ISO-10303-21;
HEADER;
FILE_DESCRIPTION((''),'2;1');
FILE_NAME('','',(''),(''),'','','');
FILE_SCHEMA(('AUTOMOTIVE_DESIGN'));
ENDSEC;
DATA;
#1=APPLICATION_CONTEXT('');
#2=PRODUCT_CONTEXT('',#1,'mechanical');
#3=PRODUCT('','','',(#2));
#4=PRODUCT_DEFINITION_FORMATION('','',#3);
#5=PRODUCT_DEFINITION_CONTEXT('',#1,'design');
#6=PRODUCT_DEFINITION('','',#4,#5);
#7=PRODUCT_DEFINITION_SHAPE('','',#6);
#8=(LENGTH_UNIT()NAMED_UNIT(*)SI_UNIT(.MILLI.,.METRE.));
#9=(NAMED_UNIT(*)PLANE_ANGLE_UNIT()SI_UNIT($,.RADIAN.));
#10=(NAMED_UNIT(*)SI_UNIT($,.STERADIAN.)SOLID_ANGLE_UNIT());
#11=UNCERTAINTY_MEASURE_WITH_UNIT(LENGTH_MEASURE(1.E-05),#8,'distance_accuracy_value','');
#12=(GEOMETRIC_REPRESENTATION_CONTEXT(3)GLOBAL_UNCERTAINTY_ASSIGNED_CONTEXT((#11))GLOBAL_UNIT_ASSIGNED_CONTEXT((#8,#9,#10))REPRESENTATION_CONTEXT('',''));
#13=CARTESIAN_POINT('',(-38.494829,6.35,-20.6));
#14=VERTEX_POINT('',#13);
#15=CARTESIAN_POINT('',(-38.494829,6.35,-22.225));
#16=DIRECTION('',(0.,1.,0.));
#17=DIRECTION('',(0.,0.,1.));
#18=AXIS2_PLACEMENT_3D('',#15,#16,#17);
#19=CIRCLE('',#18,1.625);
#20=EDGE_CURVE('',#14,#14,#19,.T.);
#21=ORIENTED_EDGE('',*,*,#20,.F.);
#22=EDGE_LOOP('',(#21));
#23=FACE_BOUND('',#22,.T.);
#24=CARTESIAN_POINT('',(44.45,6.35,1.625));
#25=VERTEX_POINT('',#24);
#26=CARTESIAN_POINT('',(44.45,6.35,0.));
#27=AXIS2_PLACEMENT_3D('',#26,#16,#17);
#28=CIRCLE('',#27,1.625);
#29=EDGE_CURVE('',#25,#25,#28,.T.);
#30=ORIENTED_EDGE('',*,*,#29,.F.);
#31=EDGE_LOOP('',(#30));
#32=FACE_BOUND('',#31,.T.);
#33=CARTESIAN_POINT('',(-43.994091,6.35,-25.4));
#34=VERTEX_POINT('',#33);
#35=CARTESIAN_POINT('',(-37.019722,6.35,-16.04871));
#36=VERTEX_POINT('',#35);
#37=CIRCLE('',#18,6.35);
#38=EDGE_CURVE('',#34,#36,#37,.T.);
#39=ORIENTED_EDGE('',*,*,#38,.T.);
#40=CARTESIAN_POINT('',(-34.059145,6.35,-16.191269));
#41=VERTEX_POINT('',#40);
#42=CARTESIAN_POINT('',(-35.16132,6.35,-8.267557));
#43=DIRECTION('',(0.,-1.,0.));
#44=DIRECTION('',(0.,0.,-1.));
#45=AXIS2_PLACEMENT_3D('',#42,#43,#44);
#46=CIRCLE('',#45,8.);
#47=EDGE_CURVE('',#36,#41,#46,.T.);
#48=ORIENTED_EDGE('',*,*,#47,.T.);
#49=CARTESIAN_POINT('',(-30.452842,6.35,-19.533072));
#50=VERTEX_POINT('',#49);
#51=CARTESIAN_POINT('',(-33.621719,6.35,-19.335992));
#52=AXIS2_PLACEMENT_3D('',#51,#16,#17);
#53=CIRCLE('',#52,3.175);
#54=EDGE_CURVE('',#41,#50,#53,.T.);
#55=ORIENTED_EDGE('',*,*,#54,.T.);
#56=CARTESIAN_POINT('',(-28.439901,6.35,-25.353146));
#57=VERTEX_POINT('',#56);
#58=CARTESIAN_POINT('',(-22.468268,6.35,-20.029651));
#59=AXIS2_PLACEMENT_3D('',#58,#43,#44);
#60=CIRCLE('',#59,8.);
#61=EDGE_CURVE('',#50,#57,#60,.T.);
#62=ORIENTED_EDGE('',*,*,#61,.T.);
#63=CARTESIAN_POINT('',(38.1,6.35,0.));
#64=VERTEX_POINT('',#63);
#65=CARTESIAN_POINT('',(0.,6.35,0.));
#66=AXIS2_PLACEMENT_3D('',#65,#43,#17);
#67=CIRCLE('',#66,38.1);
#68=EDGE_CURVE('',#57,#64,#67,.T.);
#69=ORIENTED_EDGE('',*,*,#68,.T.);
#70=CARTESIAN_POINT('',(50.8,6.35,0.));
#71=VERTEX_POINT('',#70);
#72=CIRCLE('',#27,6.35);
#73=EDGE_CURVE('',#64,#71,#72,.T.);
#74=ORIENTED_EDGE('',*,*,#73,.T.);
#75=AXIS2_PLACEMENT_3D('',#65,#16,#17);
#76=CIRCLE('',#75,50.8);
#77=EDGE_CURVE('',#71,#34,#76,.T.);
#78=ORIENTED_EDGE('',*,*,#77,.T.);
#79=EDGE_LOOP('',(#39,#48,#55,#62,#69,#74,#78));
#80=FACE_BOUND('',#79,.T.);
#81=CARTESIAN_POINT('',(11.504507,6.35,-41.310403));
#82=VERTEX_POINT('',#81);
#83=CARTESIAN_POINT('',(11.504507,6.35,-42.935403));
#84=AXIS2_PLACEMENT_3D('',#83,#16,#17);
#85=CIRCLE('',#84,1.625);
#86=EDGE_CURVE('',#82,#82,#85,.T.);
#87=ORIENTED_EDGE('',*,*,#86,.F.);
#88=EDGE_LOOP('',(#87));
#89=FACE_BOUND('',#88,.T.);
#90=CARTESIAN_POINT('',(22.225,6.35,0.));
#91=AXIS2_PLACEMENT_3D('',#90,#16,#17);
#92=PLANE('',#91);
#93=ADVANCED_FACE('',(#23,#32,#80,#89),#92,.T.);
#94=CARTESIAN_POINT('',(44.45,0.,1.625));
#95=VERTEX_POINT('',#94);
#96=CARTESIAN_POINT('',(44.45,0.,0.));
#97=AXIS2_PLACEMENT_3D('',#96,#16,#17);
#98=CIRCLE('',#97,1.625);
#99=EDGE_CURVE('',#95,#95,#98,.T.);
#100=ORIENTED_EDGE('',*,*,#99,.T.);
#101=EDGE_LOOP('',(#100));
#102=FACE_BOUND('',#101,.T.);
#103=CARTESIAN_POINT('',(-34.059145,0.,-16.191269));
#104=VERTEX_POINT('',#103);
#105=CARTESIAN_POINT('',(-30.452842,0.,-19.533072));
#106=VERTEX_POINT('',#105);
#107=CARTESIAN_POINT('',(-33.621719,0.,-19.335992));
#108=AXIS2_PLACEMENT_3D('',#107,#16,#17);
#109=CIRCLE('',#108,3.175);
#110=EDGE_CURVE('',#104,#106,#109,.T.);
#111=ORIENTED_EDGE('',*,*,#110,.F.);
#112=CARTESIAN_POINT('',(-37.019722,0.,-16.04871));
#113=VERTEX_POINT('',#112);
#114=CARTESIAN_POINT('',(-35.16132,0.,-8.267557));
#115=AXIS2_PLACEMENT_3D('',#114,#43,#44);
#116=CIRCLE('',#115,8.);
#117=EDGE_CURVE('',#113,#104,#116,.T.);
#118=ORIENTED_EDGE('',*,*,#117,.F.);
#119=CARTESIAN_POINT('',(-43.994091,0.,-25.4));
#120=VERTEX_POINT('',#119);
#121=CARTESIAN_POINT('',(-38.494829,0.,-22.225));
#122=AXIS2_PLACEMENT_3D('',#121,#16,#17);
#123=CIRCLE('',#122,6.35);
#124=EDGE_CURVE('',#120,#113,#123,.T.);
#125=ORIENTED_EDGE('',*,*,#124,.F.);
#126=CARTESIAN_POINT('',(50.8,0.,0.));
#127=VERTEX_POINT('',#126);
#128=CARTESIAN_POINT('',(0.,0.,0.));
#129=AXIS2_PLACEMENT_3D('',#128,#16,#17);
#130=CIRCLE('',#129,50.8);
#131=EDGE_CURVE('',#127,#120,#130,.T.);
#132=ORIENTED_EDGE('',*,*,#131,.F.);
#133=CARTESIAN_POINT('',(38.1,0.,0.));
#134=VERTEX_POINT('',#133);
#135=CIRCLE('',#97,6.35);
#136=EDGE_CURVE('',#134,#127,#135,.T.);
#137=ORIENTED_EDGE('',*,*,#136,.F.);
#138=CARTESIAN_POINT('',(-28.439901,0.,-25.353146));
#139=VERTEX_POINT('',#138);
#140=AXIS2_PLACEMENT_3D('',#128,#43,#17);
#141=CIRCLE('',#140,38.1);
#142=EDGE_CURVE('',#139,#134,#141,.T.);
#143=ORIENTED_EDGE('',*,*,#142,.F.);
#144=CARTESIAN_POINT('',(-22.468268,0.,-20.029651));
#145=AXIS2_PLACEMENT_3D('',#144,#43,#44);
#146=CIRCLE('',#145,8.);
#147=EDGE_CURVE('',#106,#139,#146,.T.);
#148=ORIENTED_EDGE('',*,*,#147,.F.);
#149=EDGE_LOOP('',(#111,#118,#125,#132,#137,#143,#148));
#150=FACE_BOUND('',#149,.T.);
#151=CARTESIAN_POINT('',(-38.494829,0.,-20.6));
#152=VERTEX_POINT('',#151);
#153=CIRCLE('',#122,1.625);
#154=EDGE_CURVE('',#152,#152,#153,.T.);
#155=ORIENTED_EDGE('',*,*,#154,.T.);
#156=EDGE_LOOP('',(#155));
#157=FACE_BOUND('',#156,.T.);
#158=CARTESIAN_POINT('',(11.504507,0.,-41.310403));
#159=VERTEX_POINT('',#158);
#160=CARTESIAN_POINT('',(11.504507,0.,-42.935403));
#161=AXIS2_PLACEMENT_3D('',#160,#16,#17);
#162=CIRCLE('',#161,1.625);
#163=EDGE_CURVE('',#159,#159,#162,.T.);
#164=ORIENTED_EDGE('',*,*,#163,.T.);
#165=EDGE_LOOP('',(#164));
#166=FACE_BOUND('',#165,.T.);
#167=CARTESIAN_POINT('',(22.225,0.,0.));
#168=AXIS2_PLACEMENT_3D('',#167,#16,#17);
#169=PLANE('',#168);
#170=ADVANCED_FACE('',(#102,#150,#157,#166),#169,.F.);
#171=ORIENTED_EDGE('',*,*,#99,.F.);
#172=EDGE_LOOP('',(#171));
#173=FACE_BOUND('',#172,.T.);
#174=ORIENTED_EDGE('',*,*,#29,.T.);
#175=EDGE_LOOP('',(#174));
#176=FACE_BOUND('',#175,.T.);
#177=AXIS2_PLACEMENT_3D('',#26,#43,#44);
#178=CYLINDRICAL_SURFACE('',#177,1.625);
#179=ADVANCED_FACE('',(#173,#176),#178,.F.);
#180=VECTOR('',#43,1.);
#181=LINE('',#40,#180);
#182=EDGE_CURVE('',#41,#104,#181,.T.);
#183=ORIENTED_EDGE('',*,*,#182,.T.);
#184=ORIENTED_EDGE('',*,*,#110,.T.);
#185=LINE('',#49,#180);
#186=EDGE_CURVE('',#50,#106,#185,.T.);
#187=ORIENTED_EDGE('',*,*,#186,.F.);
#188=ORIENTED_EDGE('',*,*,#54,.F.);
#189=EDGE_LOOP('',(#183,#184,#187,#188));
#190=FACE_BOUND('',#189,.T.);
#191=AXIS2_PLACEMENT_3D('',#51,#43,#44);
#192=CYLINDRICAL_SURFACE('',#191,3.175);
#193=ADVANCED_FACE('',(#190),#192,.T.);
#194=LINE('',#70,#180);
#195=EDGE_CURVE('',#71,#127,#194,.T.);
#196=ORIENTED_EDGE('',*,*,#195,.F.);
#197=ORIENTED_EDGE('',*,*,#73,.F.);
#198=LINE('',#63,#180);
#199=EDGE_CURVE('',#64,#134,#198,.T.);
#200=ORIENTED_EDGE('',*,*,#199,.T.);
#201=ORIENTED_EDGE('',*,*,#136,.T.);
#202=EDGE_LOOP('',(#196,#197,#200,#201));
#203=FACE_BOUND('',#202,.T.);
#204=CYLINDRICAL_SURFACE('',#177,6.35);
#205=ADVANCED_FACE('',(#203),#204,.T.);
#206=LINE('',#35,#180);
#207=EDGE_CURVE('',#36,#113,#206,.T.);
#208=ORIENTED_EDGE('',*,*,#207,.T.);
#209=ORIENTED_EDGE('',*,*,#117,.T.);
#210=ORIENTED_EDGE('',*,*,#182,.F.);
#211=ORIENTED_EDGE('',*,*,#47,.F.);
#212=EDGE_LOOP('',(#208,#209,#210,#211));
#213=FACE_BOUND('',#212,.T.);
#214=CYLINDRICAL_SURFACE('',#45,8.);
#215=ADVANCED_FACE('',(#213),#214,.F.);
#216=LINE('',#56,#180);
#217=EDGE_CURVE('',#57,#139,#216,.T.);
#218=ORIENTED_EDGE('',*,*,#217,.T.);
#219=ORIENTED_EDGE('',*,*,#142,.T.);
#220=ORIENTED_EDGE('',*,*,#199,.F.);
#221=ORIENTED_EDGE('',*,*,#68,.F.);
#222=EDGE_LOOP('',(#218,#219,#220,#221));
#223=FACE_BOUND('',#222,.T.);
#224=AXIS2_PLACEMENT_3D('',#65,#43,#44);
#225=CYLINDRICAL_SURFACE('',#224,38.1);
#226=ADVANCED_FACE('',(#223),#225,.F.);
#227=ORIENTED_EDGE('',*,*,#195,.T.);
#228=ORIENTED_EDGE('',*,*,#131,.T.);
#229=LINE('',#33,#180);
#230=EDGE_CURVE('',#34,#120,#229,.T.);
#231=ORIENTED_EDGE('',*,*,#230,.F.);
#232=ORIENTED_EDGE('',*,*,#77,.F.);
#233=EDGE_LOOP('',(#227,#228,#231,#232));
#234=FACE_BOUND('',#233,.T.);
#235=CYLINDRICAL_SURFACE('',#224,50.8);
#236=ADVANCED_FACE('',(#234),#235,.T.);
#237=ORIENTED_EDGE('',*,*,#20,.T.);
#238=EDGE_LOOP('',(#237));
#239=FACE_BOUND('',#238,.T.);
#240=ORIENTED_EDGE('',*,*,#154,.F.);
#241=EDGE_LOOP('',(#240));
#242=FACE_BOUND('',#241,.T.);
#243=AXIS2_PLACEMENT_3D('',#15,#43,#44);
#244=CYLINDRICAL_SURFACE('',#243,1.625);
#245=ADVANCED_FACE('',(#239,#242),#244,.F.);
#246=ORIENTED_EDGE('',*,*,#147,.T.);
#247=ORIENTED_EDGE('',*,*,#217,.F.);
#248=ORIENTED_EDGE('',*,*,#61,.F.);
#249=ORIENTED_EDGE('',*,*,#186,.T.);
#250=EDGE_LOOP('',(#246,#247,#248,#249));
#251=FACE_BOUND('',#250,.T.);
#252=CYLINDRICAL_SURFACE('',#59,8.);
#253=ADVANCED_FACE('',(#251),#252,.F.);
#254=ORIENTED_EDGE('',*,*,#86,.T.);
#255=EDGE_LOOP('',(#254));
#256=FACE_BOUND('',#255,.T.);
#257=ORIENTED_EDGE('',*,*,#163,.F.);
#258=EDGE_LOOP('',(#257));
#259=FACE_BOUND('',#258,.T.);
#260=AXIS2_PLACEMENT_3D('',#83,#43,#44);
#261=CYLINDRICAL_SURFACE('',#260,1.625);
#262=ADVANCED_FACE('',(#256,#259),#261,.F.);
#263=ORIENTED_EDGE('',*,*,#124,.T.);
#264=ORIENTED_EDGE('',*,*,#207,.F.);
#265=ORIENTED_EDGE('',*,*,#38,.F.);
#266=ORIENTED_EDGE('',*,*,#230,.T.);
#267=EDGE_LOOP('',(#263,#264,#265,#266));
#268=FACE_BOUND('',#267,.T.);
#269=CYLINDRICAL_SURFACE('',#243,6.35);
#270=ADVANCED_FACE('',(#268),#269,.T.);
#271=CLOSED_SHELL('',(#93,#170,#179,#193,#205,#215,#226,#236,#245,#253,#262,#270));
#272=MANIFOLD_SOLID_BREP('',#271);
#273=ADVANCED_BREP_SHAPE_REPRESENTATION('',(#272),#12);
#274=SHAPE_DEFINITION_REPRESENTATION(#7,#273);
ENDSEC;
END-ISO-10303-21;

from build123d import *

# Parameters (mm, degrees)
SKETCH1_R           = 1.625
BOSS_EXTRUDE1_DEPTH = 6.35


with BuildPart() as part:
    # Sketch1 → Boss-Extrude1 (new body)
    with BuildSketch(Plane(origin=(0, 0, 0), x_dir=(1, 0, 0), z_dir=(0, 1, 0))):
        with BuildLine():
            ThreePointArc((50.8, 0), (13.148007491, 49.069031975), (-43.994090512, 25.4))
            ThreePointArc((-43.994090512, 25.4), (-43.585026823, 18.428634878), (-37.019722443, 16.048709846))
            ThreePointArc((-37.019722443, 16.048709846), (-35.546093598, 16.258298381), (-34.059144925, 16.191268754))
            ThreePointArc((-34.059144925, 16.191268754), (-31.463683221, 17.007149664), (-30.452841612, 19.533071743))
            ThreePointArc((-30.452841612, 19.533071743), (-30.028839685, 22.644562363), (-28.439901214, 25.353146135))
            ThreePointArc((-28.439901214, 25.353146135), (13.565577093, 35.603161631), (38.1, 0))
            ThreePointArc((38.1, 0), (44.45, -6.35), (50.8, 0))
        make_face()
        with Locations((-38.494829198, 22.225)):
            Circle(SKETCH1_R, mode=Mode.SUBTRACT)
        with Locations((44.45, 0)):
            Circle(SKETCH1_R, mode=Mode.SUBTRACT)
        with Locations((11.504506555, 42.935402979)):
            Circle(SKETCH1_R, mode=Mode.SUBTRACT)
    extrude(amount=BOSS_EXTRUDE1_DEPTH)


solid = part.part
